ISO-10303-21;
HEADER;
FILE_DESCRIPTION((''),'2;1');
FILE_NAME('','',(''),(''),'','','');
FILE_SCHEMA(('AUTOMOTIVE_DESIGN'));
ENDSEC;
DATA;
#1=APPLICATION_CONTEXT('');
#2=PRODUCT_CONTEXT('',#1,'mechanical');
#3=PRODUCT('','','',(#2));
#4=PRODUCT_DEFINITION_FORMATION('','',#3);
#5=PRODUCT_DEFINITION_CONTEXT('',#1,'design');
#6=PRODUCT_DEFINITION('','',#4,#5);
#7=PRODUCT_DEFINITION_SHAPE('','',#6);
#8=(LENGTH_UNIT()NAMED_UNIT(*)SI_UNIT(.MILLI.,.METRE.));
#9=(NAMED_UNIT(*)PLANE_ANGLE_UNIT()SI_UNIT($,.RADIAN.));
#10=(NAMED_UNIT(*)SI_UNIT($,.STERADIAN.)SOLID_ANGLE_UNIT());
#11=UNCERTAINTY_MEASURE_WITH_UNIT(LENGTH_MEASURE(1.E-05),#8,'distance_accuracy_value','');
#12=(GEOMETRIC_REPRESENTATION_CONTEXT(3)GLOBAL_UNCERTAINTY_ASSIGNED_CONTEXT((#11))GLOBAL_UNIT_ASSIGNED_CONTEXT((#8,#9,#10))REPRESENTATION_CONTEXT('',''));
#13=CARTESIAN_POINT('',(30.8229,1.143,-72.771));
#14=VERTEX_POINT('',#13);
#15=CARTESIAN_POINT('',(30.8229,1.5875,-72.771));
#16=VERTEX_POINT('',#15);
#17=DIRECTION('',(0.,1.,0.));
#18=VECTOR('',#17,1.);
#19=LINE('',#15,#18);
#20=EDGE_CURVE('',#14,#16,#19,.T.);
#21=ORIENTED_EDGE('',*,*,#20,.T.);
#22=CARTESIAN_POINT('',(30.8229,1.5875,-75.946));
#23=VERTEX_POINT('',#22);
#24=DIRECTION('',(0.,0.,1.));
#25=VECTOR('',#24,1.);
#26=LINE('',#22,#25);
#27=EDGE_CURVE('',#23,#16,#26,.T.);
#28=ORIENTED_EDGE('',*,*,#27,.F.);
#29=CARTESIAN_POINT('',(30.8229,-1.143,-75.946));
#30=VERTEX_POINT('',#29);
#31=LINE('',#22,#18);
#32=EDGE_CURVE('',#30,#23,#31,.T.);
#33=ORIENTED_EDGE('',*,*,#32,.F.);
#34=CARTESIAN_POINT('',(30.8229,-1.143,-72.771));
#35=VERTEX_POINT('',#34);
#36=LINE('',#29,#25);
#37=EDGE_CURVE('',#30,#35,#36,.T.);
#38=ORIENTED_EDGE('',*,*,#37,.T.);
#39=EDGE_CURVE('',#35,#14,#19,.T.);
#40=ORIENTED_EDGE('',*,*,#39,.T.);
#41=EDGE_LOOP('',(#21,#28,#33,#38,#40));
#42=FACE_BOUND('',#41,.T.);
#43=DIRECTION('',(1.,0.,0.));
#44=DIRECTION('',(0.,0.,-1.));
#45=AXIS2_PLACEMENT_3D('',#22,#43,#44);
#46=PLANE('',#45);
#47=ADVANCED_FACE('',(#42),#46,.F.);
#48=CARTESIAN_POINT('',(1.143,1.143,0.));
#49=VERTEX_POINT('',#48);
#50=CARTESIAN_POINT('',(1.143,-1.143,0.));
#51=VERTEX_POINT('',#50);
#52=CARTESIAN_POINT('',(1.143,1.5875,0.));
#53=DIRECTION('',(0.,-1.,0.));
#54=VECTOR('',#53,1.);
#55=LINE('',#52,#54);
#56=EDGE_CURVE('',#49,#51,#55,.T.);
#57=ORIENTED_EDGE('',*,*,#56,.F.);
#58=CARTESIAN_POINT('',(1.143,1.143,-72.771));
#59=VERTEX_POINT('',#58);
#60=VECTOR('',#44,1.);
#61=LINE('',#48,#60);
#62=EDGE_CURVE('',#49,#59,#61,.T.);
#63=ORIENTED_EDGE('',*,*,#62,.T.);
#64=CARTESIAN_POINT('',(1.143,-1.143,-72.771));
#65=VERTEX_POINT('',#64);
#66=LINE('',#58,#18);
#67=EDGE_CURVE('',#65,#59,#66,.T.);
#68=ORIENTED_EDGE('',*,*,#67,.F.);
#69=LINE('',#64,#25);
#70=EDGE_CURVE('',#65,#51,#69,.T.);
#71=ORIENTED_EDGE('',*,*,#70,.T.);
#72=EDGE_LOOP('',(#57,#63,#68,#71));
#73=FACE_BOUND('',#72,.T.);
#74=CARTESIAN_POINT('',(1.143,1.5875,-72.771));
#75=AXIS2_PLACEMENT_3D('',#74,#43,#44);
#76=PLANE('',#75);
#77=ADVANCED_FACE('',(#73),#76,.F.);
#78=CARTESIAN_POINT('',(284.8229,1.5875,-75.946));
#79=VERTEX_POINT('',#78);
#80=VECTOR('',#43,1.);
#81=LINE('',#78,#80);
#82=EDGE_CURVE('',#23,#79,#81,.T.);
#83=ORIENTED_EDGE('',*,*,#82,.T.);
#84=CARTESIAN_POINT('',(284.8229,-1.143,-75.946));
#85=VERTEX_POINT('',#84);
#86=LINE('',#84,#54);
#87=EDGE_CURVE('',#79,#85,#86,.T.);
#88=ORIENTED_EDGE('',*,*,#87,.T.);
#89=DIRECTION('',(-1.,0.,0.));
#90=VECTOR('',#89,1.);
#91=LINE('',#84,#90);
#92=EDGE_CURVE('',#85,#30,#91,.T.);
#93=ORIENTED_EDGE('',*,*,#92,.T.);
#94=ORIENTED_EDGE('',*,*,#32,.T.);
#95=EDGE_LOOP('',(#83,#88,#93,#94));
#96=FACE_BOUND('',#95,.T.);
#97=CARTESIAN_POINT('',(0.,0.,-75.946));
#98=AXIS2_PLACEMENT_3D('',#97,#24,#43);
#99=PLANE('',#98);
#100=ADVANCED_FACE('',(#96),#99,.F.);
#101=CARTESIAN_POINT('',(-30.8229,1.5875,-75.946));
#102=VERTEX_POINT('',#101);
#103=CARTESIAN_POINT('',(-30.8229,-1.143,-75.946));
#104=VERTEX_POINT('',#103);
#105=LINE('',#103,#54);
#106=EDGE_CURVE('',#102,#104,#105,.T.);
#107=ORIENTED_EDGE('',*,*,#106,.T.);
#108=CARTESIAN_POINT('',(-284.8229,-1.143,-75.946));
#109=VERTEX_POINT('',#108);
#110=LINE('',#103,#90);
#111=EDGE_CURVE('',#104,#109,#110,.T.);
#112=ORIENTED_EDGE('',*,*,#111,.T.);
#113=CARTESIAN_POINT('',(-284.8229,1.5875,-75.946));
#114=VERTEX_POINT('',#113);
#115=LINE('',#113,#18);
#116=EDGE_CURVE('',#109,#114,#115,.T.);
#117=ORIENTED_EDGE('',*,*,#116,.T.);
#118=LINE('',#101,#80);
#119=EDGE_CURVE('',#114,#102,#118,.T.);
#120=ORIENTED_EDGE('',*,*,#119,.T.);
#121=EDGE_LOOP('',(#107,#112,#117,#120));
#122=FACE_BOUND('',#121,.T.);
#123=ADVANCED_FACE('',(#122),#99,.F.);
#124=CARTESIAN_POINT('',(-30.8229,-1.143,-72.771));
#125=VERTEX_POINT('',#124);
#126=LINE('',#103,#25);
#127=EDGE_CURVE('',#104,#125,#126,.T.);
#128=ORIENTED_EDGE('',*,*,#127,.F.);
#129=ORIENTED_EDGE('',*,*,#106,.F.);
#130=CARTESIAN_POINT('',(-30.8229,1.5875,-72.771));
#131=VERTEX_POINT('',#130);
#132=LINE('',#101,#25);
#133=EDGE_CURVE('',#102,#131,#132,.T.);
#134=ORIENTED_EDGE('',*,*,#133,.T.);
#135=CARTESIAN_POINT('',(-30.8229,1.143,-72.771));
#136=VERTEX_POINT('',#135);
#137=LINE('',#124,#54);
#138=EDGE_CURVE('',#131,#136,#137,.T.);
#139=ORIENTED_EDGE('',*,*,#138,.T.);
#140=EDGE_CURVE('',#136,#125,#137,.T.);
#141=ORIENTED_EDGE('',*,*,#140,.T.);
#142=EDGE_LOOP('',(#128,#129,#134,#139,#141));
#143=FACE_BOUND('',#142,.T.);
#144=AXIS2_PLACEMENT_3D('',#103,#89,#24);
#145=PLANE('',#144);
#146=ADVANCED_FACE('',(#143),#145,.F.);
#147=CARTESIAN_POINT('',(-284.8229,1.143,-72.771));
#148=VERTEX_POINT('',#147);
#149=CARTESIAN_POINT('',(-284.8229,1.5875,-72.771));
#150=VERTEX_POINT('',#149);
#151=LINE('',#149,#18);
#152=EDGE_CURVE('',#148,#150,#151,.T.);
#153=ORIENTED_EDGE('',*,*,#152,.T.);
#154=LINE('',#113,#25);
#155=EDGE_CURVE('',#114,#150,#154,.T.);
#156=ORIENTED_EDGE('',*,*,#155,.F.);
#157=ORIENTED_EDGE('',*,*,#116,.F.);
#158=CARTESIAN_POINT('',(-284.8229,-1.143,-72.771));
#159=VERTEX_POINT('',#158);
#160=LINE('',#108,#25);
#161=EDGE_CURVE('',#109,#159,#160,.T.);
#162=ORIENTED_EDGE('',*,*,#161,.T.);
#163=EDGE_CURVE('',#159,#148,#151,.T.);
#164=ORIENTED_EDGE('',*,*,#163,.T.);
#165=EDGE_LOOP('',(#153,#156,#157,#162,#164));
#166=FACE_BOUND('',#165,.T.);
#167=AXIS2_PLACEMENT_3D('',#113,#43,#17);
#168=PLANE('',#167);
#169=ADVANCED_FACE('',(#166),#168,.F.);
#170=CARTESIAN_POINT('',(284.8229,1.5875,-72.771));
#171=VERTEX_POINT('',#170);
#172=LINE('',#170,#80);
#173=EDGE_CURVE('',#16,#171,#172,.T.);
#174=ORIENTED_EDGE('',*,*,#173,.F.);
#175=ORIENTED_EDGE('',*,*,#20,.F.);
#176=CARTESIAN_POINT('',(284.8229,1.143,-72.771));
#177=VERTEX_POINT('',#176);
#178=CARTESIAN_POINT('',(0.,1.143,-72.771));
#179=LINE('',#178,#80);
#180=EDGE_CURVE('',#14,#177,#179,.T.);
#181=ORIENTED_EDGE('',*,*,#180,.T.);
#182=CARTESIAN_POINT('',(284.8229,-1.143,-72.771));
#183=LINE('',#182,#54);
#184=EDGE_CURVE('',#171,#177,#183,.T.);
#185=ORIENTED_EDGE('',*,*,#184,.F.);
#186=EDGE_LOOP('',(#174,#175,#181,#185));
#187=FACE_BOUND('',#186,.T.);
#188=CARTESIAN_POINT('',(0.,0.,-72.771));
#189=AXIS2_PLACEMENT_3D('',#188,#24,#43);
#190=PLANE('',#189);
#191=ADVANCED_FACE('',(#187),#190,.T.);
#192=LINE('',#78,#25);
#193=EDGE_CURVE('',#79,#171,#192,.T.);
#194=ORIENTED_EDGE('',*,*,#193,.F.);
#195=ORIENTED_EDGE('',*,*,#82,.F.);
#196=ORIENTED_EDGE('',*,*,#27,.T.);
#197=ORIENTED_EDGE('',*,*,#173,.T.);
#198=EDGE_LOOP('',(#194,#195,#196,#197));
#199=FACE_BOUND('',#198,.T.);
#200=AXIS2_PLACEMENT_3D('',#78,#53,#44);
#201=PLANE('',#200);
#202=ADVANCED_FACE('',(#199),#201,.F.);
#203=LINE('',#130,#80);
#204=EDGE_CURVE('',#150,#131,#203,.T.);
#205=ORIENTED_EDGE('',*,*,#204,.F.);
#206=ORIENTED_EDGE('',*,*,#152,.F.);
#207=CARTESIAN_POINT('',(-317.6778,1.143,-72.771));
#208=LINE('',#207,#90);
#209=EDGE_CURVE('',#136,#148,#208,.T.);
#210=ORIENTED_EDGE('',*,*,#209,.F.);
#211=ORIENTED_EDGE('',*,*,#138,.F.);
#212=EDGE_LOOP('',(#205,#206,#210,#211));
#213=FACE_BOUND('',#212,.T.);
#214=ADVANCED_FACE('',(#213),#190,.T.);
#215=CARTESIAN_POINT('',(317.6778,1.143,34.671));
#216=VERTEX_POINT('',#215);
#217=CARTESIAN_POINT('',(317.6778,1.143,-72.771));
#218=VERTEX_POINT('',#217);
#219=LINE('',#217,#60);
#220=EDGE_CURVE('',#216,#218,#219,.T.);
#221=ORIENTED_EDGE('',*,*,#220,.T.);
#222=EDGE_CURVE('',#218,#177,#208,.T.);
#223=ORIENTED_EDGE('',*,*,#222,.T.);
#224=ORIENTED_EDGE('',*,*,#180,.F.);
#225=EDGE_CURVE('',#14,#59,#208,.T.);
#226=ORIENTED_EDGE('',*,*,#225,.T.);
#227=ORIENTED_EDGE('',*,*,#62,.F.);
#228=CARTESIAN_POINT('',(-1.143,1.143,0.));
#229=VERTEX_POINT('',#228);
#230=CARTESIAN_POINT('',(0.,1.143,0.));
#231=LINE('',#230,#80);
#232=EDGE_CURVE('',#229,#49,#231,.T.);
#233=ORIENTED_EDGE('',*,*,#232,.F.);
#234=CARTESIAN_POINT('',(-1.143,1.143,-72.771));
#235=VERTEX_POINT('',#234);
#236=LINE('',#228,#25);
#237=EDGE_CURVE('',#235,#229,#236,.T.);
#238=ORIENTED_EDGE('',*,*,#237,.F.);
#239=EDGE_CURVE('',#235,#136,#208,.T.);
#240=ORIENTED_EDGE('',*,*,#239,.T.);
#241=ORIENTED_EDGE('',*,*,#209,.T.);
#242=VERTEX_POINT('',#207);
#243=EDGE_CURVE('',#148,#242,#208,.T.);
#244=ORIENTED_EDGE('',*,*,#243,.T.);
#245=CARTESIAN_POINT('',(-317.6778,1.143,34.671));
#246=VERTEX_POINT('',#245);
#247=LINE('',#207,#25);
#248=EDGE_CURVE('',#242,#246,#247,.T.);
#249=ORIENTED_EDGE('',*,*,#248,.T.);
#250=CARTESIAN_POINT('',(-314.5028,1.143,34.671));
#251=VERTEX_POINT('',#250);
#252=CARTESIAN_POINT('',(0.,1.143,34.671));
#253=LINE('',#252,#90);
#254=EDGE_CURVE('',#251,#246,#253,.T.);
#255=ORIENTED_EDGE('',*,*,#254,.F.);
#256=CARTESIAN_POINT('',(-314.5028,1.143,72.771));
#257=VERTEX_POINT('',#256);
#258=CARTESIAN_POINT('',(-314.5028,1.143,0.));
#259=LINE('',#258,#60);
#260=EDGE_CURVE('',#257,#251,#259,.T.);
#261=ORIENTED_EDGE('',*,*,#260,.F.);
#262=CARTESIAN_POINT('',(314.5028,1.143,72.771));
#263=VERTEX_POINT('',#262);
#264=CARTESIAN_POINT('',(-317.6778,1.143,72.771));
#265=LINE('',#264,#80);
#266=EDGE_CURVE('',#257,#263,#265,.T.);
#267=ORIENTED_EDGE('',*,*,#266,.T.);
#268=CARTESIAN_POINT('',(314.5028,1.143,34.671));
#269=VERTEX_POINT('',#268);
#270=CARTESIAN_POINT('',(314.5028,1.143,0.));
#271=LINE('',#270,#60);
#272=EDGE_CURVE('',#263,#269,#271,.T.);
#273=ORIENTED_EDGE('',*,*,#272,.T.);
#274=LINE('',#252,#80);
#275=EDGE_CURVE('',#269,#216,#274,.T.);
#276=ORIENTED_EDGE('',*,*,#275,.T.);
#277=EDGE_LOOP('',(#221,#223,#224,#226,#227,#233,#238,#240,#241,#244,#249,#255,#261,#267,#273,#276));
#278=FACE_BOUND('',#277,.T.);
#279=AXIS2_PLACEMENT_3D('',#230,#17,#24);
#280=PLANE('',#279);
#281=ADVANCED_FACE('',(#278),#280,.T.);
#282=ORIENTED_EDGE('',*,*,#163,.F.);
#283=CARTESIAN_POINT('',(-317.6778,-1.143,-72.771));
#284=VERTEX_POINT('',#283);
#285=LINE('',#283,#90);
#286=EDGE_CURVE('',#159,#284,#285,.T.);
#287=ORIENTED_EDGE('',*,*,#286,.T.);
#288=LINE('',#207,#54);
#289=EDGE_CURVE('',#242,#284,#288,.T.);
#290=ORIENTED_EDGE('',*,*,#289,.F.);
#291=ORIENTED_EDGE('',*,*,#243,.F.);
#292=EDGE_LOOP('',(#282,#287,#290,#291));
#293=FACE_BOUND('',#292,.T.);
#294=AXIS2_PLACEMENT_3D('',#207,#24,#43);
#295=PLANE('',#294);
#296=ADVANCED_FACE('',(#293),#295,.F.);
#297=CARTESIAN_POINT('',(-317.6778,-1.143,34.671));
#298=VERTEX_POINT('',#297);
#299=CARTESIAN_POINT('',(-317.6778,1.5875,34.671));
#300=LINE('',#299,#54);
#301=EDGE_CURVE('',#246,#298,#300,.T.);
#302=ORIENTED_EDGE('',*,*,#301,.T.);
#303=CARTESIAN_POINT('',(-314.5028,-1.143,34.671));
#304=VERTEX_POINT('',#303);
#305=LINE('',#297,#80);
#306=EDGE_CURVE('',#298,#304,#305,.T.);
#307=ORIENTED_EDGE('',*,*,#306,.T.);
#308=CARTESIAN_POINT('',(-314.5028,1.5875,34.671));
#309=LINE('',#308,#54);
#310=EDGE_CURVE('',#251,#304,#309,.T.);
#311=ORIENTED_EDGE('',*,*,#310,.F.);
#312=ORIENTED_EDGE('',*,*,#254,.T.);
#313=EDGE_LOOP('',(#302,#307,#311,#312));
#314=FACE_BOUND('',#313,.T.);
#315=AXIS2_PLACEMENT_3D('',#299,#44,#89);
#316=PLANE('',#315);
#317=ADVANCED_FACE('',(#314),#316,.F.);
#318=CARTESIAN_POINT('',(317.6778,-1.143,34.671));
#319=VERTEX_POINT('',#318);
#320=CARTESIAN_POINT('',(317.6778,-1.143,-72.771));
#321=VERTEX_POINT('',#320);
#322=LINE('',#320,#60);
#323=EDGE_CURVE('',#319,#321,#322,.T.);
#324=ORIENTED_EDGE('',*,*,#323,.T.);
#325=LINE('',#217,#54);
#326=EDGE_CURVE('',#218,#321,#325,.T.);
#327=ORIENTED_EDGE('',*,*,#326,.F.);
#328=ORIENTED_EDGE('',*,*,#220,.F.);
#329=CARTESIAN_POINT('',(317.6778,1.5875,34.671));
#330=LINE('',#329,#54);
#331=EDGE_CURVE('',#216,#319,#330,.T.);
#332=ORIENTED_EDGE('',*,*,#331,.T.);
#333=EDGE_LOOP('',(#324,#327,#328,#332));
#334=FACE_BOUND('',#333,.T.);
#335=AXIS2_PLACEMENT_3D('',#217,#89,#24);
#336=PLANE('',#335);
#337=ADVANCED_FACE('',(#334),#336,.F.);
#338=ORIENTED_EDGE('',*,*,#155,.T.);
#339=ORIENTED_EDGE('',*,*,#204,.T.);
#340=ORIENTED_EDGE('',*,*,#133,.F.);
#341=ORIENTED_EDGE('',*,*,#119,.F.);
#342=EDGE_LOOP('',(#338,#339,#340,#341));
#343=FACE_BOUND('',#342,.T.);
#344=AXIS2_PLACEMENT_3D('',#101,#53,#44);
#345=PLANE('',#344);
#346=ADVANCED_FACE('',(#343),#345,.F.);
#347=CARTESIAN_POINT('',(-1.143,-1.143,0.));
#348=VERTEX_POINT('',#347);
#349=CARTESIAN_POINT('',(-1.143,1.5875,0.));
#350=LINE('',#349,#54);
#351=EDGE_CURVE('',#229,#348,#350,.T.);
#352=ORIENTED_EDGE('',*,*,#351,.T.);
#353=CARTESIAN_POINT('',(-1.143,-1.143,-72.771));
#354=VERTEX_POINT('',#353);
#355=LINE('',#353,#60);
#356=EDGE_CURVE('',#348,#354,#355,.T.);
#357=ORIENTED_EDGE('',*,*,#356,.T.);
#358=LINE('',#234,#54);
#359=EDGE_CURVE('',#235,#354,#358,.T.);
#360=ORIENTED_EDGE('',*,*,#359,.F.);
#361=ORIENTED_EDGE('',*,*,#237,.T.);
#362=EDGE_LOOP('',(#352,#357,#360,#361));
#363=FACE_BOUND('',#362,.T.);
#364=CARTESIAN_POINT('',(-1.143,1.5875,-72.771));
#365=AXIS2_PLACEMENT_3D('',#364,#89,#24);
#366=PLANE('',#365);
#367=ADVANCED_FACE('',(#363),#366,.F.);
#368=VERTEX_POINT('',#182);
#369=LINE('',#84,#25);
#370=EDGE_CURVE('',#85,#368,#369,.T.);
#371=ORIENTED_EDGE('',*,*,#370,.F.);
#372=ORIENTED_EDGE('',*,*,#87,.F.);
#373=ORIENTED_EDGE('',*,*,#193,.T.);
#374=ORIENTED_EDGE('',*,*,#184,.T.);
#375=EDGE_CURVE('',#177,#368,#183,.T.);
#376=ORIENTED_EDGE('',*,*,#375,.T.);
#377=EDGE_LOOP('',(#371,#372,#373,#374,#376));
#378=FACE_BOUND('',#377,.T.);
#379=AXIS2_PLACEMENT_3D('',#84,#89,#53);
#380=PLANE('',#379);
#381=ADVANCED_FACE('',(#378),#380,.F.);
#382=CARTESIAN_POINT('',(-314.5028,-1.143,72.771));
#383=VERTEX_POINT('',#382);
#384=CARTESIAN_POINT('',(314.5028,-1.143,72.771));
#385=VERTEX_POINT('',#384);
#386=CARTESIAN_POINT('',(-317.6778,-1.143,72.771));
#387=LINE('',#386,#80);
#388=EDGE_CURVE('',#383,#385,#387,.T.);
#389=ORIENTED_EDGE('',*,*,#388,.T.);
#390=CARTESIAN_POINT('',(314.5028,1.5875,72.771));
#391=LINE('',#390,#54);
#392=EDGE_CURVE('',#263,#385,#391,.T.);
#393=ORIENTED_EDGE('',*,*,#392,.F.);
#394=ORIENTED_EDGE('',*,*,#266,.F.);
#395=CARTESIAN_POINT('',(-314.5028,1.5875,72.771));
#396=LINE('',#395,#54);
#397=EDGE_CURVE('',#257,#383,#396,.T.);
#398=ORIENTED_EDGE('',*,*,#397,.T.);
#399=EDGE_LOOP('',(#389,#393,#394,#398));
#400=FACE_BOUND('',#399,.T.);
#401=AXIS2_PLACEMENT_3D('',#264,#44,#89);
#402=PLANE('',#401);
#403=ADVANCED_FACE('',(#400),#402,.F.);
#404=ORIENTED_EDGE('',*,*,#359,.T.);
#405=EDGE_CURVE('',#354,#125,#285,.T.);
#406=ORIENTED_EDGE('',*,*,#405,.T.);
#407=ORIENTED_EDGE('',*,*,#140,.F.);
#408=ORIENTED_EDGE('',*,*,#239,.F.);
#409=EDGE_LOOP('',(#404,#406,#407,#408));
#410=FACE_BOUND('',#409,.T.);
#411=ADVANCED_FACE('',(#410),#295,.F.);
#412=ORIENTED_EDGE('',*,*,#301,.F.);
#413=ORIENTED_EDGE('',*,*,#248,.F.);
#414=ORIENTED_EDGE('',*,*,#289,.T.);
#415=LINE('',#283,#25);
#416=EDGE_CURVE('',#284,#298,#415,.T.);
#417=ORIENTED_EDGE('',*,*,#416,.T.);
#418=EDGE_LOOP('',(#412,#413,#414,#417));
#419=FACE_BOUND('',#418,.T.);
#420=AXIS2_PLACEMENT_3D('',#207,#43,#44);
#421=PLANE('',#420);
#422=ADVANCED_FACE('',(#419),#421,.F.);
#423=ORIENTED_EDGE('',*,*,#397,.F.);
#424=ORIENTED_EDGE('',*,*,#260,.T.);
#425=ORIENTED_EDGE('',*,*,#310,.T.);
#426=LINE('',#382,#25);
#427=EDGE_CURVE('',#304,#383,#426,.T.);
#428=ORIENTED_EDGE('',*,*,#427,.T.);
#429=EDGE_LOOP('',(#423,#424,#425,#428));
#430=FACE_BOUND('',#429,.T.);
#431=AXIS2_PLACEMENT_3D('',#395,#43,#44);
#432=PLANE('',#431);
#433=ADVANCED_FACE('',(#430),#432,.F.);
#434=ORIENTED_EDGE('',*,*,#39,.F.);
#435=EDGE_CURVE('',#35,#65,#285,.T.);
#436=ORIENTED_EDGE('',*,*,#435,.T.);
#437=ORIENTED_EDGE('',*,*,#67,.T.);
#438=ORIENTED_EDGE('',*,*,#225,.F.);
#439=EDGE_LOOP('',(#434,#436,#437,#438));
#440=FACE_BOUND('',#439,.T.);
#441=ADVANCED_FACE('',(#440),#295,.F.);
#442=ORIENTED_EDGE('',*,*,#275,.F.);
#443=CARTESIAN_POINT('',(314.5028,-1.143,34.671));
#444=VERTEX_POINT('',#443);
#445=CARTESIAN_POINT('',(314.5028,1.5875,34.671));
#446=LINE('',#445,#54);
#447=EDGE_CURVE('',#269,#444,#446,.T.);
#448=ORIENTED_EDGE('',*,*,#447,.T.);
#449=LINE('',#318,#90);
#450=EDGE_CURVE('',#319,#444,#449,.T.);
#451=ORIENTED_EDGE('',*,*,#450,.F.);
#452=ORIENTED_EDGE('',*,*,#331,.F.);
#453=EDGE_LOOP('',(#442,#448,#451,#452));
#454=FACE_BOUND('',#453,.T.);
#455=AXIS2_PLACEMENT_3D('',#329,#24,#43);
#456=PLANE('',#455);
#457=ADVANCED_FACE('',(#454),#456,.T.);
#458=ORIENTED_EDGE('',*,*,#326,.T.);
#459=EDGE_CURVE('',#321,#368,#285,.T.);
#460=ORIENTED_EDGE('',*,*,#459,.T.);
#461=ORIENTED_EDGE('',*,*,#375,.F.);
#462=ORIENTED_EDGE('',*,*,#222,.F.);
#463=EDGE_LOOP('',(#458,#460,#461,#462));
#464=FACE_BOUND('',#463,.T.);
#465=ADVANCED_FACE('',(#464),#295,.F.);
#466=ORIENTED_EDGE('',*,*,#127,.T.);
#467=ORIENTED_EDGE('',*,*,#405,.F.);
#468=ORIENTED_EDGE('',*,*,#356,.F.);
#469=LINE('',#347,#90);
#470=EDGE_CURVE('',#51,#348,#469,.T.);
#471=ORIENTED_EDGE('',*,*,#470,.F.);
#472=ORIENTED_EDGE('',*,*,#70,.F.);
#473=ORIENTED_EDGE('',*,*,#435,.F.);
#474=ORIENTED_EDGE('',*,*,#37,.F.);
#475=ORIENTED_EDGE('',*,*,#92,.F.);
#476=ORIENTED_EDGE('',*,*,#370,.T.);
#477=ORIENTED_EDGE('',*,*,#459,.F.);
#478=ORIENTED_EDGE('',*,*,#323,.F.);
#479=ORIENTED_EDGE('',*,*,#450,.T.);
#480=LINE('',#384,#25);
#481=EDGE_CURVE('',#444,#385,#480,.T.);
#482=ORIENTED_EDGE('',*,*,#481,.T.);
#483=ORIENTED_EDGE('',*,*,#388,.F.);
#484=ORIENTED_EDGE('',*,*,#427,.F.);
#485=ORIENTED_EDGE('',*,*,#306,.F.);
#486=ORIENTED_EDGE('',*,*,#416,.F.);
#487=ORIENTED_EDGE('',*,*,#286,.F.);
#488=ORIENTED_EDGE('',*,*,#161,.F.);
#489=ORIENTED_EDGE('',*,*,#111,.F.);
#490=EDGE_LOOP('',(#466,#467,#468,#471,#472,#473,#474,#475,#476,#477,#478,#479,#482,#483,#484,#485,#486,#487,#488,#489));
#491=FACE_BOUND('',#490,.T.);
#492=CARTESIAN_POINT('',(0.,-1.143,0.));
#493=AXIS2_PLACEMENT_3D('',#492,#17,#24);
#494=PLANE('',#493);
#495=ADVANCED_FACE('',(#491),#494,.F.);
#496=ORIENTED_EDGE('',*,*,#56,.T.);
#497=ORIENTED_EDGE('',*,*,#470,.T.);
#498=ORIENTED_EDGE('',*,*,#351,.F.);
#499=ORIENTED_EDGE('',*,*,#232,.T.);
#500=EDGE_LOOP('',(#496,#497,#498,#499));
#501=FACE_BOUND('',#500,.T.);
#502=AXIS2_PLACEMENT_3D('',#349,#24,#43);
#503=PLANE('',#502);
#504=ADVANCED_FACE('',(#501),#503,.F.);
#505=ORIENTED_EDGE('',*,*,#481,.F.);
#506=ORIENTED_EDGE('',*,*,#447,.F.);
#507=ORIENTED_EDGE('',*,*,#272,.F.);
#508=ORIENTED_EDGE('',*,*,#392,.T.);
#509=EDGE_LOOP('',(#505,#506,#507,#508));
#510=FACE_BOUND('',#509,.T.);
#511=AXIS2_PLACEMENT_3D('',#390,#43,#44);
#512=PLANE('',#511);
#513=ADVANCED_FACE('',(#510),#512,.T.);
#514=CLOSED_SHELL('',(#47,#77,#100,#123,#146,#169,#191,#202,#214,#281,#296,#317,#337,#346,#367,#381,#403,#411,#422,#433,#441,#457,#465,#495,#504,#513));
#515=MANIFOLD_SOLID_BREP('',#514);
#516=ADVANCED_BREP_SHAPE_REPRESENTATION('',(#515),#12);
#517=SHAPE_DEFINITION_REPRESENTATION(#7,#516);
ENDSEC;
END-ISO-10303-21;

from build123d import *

# Parameters (mm, degrees)
SKETCH1_W           = 635.3556
SKETCH1_H           = 145.542
BOSS_EXTRUDE1_DEPTH = 1.143
SKETCH2_W           = 254
SKETCH2_H           = 2.7305
BOSS_EXTRUDE2_DEPTH = 3.175
SKETCH3_W           = 3.175
SKETCH3_H           = 38.1
CUT_EXTRUDE1_DEPTH  = 3.7305
SKETCH4_W           = 2.286
SKETCH4_H           = 72.771
CUT_EXTRUDE2_DEPTH  = 3.7305


with BuildPart() as part:
    # Sketch1 → Boss-Extrude1 (new body, symmetric)
    with BuildSketch(Plane(origin=(0, 0, 0), x_dir=(1, 0, 0), z_dir=(0, 1, 0))):
        Rectangle(SKETCH1_W, SKETCH1_H)
    extrude(amount=BOSS_EXTRUDE1_DEPTH, both=True)

    # Sketch2 → Boss-Extrude2 (add)
    with BuildSketch(Plane(origin=(0, 0, -72.771), x_dir=(-1, 0, 0), z_dir=(0, 0, -1))):
        with Locations((-157.8229, 0.22225)):
            Rectangle(SKETCH2_W, SKETCH2_H)
        with Locations((157.8229, 0.22225)):
            Rectangle(SKETCH2_W, SKETCH2_H)
    extrude(amount=BOSS_EXTRUDE2_DEPTH)

    # Sketch3 → Cut-Extrude1 (cut, through all)
    with BuildSketch(Plane.XZ.offset(1.143)):
        with Locations((-316.0903, 53.721)):
            Rectangle(SKETCH3_W, SKETCH3_H)
    cut_extrude1 = extrude(amount=-CUT_EXTRUDE1_DEPTH, mode=Mode.SUBTRACT)

    # Mirror1: Cut-Extrude1 across plane
    add(cut_extrude1.mirror(Plane(origin=(0, 0, 0), x_dir=(0, 0, 1), z_dir=(1, 0, 0))), mode=Mode.SUBTRACT)

    # Sketch4 → Cut-Extrude2 (cut, through all)
    with BuildSketch(Plane.XZ.offset(1.143)):
        with Locations((0, -36.3855)):
            Rectangle(SKETCH4_W, SKETCH4_H)
    extrude(amount=-CUT_EXTRUDE2_DEPTH, mode=Mode.SUBTRACT)


solid = part.part
